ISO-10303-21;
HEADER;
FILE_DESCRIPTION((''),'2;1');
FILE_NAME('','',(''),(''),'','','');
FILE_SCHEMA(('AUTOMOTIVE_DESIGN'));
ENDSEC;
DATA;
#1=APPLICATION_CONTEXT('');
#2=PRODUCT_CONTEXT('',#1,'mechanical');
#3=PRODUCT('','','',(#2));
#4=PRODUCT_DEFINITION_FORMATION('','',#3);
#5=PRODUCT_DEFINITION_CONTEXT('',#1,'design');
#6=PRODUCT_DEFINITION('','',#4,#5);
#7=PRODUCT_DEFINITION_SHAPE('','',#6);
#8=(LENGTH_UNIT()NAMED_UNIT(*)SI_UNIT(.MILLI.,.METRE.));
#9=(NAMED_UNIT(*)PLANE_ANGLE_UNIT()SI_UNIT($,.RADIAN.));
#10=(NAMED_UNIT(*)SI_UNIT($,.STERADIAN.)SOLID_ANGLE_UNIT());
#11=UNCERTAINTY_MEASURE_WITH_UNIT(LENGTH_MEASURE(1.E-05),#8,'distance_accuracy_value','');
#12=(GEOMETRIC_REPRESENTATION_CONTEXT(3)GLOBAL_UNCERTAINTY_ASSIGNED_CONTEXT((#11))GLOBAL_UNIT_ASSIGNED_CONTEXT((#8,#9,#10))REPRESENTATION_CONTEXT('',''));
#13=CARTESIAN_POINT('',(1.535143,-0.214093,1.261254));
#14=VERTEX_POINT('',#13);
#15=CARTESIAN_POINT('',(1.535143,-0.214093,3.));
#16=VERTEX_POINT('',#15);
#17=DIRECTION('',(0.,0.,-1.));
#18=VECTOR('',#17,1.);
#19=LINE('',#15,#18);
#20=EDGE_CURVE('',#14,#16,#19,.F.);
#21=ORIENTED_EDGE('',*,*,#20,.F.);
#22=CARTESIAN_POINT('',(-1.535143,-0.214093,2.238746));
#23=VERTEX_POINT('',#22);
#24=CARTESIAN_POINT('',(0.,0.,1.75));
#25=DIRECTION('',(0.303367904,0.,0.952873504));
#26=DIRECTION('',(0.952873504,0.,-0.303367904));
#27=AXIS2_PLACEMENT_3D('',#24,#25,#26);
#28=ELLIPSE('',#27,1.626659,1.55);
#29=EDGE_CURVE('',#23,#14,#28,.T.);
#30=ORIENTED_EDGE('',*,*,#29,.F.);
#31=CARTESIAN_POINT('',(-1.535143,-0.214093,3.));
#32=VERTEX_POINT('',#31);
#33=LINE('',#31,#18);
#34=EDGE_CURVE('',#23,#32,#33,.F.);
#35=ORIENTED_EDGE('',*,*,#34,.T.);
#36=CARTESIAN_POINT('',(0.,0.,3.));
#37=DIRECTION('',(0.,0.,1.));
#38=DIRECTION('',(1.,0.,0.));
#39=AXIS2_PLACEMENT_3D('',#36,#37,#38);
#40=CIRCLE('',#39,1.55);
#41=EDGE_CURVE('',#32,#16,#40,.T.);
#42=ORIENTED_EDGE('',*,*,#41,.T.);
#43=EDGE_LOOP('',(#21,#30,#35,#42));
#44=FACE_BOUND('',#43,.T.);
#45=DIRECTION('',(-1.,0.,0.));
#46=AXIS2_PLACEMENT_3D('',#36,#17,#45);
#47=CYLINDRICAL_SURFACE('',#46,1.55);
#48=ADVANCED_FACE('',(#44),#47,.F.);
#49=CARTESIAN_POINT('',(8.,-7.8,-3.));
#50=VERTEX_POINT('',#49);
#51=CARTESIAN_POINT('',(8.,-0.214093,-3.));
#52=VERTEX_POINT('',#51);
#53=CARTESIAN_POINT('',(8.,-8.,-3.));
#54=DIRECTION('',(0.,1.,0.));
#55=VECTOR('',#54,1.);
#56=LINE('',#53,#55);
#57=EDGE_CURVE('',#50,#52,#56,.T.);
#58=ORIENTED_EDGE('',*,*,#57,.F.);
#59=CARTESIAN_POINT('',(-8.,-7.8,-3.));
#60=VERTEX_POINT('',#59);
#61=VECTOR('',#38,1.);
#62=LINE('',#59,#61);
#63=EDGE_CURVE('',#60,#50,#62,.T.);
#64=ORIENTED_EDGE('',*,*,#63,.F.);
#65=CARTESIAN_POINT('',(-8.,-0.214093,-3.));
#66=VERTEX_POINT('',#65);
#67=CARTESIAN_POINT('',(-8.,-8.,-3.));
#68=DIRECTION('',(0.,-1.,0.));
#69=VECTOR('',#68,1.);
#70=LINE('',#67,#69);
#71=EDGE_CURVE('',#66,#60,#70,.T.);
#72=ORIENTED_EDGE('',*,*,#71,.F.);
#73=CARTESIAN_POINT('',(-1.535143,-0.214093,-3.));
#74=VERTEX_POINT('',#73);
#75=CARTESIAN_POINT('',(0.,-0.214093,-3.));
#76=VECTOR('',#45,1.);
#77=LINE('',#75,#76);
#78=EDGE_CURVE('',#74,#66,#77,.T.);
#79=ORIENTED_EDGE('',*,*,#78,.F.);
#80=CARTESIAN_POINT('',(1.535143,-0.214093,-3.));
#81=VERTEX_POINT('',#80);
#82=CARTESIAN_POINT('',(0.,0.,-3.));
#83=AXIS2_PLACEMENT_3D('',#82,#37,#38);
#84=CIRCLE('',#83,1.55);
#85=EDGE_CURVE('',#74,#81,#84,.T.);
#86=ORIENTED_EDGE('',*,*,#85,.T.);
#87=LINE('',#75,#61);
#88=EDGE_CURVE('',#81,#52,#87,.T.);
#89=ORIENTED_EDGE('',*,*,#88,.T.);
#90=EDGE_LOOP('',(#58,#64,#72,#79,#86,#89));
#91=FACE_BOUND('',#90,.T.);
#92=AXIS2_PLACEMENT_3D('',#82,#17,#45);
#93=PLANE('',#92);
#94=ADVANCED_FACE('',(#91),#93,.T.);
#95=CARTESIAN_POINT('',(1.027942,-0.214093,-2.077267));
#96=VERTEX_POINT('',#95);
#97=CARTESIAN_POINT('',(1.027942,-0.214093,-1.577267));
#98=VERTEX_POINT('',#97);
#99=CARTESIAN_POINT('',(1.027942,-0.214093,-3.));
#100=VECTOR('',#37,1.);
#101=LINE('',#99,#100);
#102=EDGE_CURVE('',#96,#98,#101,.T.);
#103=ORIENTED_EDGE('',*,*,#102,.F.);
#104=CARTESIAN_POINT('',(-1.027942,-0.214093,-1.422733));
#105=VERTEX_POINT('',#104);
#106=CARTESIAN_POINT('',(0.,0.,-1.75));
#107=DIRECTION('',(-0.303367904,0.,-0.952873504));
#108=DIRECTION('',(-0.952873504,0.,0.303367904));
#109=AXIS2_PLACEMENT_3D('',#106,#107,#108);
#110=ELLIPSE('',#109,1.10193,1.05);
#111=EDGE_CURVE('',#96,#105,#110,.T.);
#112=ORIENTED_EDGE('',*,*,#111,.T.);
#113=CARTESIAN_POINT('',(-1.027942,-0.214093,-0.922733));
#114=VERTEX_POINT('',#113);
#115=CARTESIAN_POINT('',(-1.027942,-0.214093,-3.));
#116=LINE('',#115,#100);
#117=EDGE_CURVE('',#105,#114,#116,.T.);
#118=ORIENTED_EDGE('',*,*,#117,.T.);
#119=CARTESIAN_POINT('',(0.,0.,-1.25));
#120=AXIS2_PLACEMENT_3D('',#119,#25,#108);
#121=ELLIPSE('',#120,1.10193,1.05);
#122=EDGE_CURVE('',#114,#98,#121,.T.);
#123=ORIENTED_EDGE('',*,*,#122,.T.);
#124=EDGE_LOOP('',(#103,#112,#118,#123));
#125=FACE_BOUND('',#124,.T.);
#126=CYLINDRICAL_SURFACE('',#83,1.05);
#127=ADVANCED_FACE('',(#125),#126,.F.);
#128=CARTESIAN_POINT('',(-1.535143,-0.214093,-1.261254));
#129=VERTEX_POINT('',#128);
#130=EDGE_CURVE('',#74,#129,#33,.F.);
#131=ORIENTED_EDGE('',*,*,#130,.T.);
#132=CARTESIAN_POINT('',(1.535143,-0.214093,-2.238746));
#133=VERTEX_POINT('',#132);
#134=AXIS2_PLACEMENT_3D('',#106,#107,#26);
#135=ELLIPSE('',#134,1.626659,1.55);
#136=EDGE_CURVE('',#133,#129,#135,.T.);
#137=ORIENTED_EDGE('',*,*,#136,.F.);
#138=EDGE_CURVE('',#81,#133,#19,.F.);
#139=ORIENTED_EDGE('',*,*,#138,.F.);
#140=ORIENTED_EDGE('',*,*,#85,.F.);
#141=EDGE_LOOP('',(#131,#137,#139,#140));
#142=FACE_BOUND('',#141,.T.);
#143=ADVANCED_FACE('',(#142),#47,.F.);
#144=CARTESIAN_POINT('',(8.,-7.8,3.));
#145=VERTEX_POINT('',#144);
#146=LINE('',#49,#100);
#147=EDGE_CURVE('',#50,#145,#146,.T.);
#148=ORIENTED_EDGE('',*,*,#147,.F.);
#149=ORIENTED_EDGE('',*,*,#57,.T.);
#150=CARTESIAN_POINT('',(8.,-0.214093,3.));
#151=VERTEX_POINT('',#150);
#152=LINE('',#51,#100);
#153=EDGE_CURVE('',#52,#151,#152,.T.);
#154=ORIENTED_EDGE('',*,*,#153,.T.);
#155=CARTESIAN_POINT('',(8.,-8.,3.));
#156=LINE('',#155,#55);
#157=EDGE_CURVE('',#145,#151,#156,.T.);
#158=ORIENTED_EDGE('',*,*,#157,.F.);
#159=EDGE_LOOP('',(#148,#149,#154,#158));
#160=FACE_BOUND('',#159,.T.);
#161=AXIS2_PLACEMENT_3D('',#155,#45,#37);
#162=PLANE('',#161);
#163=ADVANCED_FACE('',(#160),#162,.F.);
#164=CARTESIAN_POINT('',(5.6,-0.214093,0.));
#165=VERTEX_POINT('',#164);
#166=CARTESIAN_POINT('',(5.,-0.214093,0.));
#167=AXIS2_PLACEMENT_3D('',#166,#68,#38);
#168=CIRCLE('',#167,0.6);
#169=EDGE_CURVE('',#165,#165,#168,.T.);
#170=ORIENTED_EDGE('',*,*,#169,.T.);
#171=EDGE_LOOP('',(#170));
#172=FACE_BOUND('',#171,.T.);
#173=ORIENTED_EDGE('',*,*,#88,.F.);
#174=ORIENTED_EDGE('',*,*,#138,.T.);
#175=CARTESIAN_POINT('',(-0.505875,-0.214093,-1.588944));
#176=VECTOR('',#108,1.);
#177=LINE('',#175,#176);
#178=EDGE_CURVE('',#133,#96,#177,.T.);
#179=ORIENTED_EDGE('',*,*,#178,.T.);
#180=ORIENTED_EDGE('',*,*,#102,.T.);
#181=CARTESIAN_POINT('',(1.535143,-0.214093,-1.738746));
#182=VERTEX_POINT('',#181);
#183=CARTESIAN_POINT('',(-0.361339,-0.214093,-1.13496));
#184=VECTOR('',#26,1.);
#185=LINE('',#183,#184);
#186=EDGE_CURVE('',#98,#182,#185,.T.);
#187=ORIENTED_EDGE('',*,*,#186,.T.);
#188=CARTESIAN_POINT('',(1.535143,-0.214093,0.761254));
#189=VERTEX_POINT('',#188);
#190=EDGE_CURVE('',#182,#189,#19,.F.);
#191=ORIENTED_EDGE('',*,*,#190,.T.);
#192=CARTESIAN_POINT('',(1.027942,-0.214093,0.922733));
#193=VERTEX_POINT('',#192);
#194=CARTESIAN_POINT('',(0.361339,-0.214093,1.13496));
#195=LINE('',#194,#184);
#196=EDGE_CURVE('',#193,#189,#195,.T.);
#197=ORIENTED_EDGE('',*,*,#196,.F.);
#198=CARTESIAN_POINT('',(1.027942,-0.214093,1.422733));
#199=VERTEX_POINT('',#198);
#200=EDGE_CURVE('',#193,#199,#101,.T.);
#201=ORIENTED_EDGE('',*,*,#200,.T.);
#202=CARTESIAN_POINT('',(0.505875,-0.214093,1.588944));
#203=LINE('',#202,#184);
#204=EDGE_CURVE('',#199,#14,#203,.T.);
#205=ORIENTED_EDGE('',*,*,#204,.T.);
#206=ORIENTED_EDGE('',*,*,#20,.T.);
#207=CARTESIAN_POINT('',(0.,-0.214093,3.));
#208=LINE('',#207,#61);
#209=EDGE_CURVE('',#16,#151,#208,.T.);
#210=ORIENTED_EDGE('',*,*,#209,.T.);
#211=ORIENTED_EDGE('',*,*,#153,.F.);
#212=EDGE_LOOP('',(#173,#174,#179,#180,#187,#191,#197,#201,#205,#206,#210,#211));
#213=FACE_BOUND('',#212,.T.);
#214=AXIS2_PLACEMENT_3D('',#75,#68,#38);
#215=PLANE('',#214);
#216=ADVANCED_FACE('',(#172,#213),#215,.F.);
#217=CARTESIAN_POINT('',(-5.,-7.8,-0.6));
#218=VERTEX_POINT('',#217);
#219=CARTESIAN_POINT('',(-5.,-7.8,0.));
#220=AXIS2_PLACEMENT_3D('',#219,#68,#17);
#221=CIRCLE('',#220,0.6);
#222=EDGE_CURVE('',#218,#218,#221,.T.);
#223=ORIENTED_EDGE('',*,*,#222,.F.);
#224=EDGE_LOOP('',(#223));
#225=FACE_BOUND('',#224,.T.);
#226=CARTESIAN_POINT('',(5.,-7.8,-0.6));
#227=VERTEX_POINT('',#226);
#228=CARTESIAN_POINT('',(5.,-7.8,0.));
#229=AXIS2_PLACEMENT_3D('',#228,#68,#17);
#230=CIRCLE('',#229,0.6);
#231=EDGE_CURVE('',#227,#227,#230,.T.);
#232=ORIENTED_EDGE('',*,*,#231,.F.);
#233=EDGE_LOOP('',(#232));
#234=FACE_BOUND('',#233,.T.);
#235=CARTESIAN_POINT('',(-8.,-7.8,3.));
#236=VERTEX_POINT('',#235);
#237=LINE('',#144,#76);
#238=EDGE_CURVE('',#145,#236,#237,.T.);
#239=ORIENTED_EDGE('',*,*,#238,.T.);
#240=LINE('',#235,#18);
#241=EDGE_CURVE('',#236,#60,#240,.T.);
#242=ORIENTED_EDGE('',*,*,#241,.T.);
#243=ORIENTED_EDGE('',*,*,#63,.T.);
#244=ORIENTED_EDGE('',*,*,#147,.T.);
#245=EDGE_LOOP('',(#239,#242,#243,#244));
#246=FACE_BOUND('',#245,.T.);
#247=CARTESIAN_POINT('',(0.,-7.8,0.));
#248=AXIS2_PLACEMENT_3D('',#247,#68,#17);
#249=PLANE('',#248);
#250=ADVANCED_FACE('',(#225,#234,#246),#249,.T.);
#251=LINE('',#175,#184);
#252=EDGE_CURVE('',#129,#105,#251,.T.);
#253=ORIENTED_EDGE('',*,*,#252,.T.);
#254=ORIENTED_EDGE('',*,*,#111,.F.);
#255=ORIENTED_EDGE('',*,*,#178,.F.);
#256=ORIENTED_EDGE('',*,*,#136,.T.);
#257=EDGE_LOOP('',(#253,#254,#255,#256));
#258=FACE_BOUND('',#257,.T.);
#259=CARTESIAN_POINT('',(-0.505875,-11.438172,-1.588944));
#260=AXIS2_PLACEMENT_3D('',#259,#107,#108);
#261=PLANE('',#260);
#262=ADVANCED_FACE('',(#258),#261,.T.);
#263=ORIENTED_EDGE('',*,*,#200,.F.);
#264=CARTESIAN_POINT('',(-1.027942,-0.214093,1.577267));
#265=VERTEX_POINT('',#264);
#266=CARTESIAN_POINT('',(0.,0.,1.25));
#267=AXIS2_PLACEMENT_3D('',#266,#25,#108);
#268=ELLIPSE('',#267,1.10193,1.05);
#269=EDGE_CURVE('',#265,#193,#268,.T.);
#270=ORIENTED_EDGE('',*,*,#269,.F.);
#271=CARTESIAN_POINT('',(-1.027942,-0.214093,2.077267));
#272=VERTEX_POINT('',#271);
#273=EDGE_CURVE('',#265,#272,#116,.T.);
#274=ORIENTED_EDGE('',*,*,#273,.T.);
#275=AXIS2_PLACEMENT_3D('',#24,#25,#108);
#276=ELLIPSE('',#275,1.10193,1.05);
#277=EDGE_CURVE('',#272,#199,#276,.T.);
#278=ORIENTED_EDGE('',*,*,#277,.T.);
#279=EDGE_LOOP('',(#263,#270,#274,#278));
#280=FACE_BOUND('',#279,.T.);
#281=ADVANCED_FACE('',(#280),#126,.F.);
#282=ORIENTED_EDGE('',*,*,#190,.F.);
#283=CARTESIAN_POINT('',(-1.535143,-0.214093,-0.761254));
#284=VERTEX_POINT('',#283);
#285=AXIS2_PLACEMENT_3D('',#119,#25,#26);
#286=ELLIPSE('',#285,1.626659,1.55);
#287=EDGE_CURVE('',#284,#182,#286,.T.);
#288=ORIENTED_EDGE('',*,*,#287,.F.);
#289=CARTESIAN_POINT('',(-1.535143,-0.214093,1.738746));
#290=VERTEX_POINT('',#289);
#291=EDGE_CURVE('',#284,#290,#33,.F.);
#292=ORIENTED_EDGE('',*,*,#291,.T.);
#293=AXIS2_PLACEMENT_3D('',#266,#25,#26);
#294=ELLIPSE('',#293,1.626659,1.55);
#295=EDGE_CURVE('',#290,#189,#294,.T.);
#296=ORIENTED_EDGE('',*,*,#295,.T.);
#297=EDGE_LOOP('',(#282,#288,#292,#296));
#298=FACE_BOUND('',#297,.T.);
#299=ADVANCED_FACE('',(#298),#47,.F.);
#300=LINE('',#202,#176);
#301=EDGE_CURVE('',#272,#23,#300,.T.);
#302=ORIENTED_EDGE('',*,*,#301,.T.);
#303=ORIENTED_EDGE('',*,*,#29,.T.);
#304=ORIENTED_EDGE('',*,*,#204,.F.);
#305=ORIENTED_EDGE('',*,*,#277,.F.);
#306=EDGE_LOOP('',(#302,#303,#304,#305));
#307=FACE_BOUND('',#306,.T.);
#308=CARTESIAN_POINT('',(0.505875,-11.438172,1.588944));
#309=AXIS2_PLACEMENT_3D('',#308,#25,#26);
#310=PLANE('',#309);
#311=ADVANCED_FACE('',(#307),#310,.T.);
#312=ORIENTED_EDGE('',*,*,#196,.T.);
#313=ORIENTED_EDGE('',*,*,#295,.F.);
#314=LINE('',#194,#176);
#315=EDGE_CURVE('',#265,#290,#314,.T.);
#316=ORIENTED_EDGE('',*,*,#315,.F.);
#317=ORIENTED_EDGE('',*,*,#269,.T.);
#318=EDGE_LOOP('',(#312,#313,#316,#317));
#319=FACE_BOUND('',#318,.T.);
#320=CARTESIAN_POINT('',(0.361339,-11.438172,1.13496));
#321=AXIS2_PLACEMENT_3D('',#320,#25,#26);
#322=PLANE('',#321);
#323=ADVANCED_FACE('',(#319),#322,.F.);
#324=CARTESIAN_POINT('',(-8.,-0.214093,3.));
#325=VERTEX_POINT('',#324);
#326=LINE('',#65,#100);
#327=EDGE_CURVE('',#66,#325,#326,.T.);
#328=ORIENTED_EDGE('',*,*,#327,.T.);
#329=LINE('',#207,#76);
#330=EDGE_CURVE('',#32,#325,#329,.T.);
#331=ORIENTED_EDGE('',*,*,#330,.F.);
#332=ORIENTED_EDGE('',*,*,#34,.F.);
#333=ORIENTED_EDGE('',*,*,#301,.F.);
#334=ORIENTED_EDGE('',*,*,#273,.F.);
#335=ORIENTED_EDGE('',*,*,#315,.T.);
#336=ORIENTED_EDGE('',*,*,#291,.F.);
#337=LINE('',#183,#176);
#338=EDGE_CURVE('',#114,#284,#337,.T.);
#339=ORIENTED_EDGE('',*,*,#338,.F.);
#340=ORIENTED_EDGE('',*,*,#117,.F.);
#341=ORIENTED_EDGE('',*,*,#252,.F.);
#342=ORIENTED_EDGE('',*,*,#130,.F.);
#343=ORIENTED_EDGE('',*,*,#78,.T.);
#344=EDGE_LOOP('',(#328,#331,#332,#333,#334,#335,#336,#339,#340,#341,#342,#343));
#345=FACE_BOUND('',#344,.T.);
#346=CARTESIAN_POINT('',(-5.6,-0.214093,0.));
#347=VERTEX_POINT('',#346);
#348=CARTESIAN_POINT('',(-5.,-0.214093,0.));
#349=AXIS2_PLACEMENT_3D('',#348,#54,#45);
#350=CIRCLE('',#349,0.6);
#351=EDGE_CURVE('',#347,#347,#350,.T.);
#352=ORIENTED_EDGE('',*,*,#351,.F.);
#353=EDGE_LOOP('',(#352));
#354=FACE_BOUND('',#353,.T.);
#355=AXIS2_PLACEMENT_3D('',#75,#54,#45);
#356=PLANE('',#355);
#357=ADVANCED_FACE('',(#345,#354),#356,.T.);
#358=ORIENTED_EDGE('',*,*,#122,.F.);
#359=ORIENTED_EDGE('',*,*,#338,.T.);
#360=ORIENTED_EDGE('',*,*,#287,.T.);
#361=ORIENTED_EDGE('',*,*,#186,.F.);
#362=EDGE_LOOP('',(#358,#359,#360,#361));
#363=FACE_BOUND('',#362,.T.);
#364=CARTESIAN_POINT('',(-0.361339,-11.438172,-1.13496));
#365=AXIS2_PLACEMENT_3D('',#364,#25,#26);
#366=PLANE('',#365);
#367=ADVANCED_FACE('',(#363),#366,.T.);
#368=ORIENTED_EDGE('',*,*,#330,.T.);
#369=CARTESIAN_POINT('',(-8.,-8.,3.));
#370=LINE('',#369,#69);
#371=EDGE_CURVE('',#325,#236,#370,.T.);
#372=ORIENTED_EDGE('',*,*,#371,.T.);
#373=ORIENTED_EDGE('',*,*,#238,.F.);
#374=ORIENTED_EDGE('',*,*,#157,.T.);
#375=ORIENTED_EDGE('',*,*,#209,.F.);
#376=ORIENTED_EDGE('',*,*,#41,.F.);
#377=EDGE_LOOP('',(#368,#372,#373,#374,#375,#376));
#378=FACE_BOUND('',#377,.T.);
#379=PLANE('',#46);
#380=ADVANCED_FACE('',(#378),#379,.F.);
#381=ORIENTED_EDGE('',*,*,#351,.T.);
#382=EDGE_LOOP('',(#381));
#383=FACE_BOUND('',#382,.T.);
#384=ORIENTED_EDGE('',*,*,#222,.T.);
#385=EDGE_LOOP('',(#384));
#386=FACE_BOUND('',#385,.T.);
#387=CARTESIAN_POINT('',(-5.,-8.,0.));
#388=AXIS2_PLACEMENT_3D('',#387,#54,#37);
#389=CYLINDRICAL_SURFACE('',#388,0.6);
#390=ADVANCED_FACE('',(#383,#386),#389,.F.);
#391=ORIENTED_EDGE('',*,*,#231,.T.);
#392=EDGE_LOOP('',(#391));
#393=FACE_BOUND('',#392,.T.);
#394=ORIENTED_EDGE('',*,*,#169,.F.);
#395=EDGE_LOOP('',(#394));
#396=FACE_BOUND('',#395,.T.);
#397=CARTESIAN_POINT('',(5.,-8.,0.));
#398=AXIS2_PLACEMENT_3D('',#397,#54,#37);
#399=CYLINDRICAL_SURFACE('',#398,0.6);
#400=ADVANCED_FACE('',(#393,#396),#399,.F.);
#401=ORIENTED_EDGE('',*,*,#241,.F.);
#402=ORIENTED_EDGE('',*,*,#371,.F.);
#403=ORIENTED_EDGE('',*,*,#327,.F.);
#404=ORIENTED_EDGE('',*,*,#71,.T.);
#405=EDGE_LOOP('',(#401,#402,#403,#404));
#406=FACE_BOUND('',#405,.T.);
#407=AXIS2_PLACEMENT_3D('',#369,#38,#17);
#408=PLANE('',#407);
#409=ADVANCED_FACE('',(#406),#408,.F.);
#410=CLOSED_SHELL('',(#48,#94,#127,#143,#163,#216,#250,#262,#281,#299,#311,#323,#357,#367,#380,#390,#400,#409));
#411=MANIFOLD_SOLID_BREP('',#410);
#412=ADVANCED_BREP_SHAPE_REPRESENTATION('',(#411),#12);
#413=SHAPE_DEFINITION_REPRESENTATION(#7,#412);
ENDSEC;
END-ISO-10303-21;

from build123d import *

# Parameters (mm, degrees)
SKETCH_1_W               = 16
SKETCH_1_H               = 16
SKETCH_1_R               = 1.55
EXTRUDE_1_DEPTH          = 3
EXTRUDE_2_DEPTH          = 8
CUT_EXTRUDE_2_DEPTH      = 12.704699911
CUT_EXTRUDE_2_DEPTH_BACK = 12.704699911
SKETCH_8_R               = 0.6
CUT_EXTRUDE_3_DEPTH      = 12.704699911
CUT_EXTRUDE_START        = -0.2
SKETCH_10_W              = 16
SKETCH_10_H              = 6
SKETCH_10_R              = 0.6
CUT_EXTRUDE_7_DEPTH      = 0.2


with BuildPart() as part:
    # 草图1 → 凸台-拉伸1 (new, symmetric)
    with BuildSketch(Plane.XY):
        Rectangle(SKETCH_1_W, SKETCH_1_H)
        Circle(SKETCH_1_R, mode=Mode.SUBTRACT)
    extrude(amount=EXTRUDE_1_DEPTH, both=True)

    # 草图6 → 凸台-拉伸2 (add)
    with BuildSketch(Plane(origin=(0, 0, 0), x_dir=(1, 0, 0), z_dir=(0, 1, 0))):
        Polygon((-1.55, -1.743476048), (-1.55, -2.243476048), (1.55, -1.256523952), (1.55, -0.756523952), align=None)
        Polygon((-1.55, 1.256523952), (-1.55, 0.756523952), (1.55, 1.743476048), (1.55, 2.243476048), align=None)
    extrude(amount=-EXTRUDE_2_DEPTH)

    # 草图7 → 切除-拉伸2 (cut, two sides: drawn at the far end of the back side and taken through both)
    with BuildSketch(Plane.XY.offset(-CUT_EXTRUDE_2_DEPTH_BACK)):
        with BuildLine():
            Line((-8, -0.214092961), (-1.027941732, -0.214092961))
            ThreePointArc((-1.027941732, -0.214092961), (-0.107613153, 1.044470875), (1.05, 0))
            ThreePointArc((1.05, 0), (1.044470875, -0.107613153), (1.027941732, -0.214092961))
            Line((1.027941732, -0.214092961), (8, -0.214092961))
            Line((8, -0.214092961), (8, 8))
            Line((8, 8), (-8, 8))
            Line((-8, 8), (-8, -0.214092961))
        make_face()
        with BuildLine():
            Line((1.027941732, -0.214092961), (0, 0))
            Line((0, 0), (-1.027941732, -0.214092961))
            ThreePointArc((-1.027941732, -0.214092961), (0, -1.05), (1.027941732, -0.214092961))
        make_face()
        with BuildLine():
            Line((-1.027941732, -0.214092961), (0, 0))
            Line((0, 0), (1.027941732, -0.214092961))
            ThreePointArc((1.027941732, -0.214092961), (1.044470875, -0.107613153), (1.05, 0))
            ThreePointArc((1.05, 0), (-0.107613153, 1.044470875), (-1.027941732, -0.214092961))
        make_face()
    extrude(amount=CUT_EXTRUDE_2_DEPTH + CUT_EXTRUDE_2_DEPTH_BACK, mode=Mode.SUBTRACT)

    # 草图8 → 切除-拉伸3 (cut, through all)
    with BuildSketch(Plane(origin=(0, 0, 0), x_dir=(1, 0, 0), z_dir=(0, 1, 0))):
        with Locations(Location((-5, 0, 0), (0, 0, 270))):
            Circle(SKETCH_8_R)
        with Locations(Location((5, 0, 0), (0, 0, 270))):
            Circle(SKETCH_8_R)
    extrude(amount=-CUT_EXTRUDE_3_DEPTH, mode=Mode.SUBTRACT)

    # 草图10 → 切除-拉伸7 (cut)
    with BuildSketch(Plane.XZ.offset(8).offset(CUT_EXTRUDE_START)):
        Rectangle(SKETCH_10_W, SKETCH_10_H)
        with Locations(Location((-5, 0, 0), (0, 0, 180))):
            Circle(SKETCH_10_R, mode=Mode.SUBTRACT)
        with Locations((5, 0)):
            Circle(SKETCH_10_R, mode=Mode.SUBTRACT)
    extrude(amount=CUT_EXTRUDE_7_DEPTH, mode=Mode.SUBTRACT)


solid = part.part
